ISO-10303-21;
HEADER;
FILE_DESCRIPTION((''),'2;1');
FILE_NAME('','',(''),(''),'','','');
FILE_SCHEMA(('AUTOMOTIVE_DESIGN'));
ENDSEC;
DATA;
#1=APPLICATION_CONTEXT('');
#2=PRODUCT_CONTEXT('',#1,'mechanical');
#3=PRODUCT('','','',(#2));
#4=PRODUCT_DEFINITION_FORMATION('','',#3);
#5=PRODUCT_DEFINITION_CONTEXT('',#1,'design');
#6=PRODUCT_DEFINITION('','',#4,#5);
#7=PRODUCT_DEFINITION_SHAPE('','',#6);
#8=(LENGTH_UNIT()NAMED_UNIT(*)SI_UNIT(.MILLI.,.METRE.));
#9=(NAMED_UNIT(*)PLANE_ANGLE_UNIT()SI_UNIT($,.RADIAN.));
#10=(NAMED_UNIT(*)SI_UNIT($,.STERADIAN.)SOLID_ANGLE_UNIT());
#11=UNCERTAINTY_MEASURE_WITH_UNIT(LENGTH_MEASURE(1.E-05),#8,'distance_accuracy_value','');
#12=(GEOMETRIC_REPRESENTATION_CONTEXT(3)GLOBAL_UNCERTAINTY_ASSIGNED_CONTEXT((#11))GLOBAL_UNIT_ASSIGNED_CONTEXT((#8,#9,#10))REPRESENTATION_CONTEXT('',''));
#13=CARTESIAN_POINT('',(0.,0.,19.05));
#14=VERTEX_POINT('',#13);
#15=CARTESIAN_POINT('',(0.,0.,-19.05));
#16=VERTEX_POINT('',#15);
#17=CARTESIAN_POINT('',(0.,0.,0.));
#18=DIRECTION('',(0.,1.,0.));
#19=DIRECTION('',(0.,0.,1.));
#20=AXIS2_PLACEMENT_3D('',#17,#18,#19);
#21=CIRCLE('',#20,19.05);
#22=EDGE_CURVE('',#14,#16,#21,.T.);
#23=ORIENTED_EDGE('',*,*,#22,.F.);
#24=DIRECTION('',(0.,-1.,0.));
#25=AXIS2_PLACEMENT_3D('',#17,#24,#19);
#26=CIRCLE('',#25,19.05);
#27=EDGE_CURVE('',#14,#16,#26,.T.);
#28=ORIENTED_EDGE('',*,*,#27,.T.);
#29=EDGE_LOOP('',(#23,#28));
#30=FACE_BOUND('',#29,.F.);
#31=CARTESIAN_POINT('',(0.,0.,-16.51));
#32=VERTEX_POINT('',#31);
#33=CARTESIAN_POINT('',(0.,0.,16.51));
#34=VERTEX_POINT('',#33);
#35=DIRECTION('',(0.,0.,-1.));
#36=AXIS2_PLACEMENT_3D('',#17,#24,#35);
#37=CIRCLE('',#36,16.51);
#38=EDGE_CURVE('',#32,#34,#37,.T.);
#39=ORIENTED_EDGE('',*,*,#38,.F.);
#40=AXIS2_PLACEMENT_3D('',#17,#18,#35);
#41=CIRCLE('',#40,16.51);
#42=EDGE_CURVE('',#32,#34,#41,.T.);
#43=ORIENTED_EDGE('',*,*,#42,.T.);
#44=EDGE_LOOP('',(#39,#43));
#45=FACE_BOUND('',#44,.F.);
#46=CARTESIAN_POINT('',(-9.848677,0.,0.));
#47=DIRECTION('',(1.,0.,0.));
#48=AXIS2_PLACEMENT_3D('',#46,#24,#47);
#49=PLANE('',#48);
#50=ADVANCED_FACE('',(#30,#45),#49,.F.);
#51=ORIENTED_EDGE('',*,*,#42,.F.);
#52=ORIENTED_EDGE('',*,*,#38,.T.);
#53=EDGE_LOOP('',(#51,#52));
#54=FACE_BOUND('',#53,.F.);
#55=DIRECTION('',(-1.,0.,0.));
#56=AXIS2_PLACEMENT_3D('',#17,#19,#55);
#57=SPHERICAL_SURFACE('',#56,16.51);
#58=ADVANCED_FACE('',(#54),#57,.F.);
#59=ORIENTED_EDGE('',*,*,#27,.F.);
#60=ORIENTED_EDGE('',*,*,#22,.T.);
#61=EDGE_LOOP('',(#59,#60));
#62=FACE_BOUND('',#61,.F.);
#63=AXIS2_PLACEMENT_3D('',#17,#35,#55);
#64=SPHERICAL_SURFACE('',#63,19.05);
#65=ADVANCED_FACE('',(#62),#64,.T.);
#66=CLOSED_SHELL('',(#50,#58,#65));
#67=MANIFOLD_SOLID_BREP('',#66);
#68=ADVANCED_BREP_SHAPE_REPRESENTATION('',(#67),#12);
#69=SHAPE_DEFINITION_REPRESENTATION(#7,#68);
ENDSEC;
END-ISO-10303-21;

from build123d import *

# Parameters (mm, degrees)
F1_ANGLE = -180


with BuildPart() as f1:
    # F0 (on Front) → F1 (revolve)
    with BuildSketch(Plane.XZ):
        with BuildLine():
            Line((0, 16.51), (0, 19.05))
            ThreePointArc((0, 19.05), (-19.05, 0), (0, -19.05))
            Line((0, -19.05), (0, -16.51))
            ThreePointArc((0, -16.51), (-16.51, 0), (0, 16.51))
        make_face()
    revolve(axis=Axis((0, 0, 17.78), (0, 0, -1)), revolution_arc=F1_ANGLE)


solid = f1.part
